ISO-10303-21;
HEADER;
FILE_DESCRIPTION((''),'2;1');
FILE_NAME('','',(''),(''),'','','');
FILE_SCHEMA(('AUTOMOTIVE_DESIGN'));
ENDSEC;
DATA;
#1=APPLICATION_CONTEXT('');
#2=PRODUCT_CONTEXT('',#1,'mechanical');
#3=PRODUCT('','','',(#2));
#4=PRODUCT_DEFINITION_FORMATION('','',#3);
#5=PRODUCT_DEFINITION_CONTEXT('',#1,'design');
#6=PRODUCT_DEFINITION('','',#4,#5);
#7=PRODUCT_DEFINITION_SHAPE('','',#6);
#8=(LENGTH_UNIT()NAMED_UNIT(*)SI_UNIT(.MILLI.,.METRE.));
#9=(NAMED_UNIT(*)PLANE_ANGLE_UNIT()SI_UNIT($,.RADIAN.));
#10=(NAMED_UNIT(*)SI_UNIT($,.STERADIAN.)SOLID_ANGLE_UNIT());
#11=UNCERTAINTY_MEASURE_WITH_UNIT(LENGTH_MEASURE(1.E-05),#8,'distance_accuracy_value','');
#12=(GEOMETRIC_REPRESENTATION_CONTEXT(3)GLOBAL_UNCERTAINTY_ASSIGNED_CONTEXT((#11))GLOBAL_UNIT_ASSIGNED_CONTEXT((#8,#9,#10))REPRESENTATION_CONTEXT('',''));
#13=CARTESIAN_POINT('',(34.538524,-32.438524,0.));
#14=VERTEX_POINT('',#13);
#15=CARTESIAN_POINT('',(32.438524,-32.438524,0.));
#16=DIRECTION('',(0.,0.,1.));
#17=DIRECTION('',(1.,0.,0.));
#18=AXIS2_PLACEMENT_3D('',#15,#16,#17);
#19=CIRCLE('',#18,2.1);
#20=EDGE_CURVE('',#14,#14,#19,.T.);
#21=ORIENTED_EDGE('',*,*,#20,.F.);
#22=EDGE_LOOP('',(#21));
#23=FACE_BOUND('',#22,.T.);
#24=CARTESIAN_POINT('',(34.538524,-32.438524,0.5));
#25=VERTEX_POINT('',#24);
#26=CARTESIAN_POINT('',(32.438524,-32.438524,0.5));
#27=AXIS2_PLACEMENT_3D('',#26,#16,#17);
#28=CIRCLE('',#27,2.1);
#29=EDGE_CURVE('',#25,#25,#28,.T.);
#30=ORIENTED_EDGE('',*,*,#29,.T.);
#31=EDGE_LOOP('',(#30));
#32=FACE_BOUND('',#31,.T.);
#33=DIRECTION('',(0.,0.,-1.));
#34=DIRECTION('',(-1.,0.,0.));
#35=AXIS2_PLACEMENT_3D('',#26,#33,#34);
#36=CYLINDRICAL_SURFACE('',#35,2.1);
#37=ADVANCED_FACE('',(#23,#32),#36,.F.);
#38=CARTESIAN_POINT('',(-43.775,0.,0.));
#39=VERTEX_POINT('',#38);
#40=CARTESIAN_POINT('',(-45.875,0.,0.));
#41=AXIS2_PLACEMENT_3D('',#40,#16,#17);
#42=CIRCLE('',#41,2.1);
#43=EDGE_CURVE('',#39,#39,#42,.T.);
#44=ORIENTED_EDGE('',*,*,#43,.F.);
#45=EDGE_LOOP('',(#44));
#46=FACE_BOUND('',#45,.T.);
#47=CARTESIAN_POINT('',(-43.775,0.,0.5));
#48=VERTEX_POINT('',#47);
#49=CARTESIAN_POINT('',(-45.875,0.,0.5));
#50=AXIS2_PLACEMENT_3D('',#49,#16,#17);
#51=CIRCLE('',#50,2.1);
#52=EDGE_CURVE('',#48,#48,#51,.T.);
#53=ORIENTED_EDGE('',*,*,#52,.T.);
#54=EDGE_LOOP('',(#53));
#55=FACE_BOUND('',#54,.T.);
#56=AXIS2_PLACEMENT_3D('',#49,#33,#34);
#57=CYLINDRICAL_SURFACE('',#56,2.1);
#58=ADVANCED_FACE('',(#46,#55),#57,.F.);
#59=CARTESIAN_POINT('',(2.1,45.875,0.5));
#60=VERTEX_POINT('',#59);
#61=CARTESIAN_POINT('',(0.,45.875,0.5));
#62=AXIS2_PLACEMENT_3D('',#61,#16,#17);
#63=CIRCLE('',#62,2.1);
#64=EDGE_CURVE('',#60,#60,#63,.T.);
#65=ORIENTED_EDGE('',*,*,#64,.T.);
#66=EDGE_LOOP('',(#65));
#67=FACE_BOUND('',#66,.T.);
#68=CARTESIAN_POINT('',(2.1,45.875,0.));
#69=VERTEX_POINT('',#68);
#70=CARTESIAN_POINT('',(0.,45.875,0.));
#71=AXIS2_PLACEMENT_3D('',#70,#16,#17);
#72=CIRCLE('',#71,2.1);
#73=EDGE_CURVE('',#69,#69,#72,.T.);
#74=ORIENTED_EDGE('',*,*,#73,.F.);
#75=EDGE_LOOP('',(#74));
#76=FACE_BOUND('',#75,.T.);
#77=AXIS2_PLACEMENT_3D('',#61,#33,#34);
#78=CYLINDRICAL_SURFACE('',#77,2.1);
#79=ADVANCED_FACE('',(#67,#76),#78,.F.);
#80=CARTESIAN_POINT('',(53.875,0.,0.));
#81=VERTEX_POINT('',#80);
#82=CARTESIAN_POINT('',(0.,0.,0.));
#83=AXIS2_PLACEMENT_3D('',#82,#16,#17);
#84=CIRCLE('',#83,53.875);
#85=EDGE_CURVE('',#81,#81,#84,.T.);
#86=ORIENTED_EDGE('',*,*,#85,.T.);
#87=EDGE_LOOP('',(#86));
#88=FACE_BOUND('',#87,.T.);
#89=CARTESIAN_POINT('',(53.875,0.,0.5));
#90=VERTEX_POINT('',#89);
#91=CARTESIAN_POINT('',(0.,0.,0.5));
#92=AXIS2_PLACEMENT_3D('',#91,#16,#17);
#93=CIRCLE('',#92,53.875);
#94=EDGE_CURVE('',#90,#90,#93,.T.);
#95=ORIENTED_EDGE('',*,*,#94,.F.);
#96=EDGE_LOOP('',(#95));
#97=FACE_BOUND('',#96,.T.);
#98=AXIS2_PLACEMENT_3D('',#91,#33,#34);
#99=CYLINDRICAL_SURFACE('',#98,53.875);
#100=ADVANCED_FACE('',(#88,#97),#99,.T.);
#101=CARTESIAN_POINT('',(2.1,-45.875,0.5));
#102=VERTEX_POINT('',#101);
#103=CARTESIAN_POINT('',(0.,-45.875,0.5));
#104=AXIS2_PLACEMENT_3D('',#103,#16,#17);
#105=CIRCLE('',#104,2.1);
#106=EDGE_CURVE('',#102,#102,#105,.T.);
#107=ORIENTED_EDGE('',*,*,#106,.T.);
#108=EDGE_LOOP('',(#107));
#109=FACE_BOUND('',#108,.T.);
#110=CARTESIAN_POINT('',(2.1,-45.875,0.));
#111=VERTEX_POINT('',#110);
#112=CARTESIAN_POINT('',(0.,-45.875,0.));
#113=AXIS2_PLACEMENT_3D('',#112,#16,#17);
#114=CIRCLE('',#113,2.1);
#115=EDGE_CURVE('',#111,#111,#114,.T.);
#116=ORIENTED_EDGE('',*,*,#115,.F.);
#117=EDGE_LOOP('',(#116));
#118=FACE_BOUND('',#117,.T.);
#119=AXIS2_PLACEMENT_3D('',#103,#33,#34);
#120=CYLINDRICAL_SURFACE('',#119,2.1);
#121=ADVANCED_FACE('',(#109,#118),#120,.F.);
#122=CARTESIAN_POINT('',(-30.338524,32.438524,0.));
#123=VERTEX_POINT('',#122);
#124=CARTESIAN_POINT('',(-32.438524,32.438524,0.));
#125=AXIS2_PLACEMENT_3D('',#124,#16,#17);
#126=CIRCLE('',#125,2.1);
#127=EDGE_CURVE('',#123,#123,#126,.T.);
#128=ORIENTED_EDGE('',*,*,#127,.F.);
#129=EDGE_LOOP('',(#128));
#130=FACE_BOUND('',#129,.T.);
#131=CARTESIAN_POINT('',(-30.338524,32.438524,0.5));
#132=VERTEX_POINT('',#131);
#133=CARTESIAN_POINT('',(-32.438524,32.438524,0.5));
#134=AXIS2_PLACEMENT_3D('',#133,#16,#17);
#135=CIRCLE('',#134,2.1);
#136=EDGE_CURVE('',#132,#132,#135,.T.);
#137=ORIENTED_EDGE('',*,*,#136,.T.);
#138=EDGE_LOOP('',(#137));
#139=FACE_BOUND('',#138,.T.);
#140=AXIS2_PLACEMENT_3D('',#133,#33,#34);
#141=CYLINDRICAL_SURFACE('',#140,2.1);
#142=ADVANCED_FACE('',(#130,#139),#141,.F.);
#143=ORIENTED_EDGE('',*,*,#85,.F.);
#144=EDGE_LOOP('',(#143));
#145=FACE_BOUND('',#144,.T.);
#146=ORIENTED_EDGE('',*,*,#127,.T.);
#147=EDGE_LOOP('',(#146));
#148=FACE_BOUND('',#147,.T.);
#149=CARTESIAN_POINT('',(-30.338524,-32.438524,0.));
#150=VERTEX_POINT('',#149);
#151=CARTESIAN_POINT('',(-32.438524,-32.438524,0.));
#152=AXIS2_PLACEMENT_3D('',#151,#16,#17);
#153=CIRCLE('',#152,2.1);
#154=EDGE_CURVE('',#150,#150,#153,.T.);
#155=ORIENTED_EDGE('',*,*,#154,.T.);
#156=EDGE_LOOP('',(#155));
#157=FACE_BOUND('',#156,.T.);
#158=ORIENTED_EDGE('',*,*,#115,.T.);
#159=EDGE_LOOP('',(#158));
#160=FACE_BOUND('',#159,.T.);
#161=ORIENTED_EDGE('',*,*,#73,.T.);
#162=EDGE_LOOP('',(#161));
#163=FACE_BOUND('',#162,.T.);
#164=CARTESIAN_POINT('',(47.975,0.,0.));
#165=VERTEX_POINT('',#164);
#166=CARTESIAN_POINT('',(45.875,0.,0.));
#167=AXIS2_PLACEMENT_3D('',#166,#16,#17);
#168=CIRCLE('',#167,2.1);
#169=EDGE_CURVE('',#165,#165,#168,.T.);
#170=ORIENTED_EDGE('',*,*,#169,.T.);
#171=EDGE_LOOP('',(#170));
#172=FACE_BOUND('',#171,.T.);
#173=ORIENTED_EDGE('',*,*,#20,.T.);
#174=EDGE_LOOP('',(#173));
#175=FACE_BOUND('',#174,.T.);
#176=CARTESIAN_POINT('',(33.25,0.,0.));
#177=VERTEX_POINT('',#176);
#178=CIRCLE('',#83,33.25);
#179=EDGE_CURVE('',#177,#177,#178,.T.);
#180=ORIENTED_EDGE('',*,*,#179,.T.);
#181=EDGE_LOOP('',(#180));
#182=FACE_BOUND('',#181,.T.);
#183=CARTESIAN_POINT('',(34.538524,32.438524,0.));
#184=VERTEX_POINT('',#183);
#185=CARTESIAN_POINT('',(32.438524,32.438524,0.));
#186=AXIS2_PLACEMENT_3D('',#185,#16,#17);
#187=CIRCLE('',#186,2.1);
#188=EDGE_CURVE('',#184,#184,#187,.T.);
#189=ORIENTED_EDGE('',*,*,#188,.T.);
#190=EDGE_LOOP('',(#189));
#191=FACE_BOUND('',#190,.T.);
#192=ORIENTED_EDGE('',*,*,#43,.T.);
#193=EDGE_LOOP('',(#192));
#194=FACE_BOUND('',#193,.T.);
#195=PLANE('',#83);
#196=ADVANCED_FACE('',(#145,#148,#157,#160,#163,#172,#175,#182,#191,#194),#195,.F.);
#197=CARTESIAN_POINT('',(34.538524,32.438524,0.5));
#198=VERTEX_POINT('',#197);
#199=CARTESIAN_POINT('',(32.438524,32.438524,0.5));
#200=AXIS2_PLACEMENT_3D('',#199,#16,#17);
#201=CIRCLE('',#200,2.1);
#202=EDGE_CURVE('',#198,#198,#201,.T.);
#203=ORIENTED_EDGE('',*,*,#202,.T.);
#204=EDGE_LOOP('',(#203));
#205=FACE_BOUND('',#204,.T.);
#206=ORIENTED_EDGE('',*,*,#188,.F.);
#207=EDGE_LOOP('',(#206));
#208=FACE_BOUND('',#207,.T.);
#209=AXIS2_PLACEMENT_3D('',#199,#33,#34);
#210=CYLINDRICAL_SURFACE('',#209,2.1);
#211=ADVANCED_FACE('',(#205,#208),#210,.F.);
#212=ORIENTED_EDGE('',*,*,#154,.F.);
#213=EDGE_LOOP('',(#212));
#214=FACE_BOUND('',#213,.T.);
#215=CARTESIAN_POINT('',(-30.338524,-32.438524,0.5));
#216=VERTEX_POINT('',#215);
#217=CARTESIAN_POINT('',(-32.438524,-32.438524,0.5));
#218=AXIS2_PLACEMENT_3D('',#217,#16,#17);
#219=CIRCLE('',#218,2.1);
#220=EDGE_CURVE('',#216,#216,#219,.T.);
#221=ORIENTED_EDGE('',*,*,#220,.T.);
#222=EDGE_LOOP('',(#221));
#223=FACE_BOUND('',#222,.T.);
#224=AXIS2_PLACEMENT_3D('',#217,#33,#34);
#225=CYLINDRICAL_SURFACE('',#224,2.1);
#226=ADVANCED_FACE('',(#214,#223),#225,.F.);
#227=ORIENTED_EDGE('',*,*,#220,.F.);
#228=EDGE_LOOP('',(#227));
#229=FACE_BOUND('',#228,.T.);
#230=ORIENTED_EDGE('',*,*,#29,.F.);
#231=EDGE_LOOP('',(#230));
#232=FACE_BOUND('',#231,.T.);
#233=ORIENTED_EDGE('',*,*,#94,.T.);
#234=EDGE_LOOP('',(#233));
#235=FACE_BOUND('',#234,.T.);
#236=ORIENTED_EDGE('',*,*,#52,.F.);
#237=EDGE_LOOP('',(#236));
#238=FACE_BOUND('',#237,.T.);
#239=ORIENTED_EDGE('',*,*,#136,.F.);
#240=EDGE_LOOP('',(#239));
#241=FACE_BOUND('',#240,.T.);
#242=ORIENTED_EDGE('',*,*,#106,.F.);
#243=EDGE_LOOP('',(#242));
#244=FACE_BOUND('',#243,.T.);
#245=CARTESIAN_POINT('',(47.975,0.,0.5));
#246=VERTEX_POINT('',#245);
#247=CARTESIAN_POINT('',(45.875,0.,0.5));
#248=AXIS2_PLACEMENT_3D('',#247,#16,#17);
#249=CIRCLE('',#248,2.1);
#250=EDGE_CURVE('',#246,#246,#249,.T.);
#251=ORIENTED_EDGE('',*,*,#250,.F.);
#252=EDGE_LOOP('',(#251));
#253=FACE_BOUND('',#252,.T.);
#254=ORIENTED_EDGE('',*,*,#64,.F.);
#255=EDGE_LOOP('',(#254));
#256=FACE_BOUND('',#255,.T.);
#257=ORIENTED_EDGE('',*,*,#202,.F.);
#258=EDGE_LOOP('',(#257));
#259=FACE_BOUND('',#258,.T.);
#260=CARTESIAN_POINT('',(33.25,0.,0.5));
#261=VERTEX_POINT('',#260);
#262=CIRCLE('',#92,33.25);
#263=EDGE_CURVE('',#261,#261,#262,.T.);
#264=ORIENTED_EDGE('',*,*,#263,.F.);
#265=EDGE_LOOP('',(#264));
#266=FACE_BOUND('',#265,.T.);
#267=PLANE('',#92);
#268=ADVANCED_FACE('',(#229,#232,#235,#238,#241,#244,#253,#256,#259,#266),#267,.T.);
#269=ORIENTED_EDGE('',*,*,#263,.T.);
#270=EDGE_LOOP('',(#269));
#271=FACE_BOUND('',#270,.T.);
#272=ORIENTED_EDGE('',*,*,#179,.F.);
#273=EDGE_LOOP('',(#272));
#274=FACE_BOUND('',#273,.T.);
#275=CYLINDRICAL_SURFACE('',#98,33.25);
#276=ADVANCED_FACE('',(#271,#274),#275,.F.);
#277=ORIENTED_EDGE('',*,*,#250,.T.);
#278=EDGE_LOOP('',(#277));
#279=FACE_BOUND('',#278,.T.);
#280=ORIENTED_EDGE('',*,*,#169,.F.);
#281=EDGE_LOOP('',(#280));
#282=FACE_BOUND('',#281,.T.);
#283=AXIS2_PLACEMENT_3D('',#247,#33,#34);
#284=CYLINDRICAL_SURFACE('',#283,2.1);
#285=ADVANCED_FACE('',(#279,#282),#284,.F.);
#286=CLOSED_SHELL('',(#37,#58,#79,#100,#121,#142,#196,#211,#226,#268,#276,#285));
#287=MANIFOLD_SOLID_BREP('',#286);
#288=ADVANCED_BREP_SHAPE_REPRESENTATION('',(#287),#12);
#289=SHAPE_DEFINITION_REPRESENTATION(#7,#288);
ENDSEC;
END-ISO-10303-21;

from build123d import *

# Parameters (mm, degrees)
SKETCH1_R           = 53.875
SKETCH1_R_2         = 33.25
SKETCH1_R_3         = 2.1
BOSS_EXTRUDE1_DEPTH = 0.5


with BuildPart() as part:
    # Sketch1 → Boss-Extrude1 (new body)
    with BuildSketch(Plane.XY):
        Circle(SKETCH1_R)
        Circle(SKETCH1_R_2, mode=Mode.SUBTRACT)
        with Locations((0, 45.875)):
            Circle(SKETCH1_R_3, mode=Mode.SUBTRACT)
        with Locations((32.438523587, 32.438523587)):
            Circle(SKETCH1_R_3, mode=Mode.SUBTRACT)
        with Locations((45.875, 0)):
            Circle(SKETCH1_R_3, mode=Mode.SUBTRACT)
        with Locations((32.438523587, -32.438523587)):
            Circle(SKETCH1_R_3, mode=Mode.SUBTRACT)
        with Locations((0, -45.875)):
            Circle(SKETCH1_R_3, mode=Mode.SUBTRACT)
        with Locations((-32.438523587, -32.438523587)):
            Circle(SKETCH1_R_3, mode=Mode.SUBTRACT)
        with Locations((-45.875, 0)):
            Circle(SKETCH1_R_3, mode=Mode.SUBTRACT)
        with Locations((-32.438523587, 32.438523587)):
            Circle(SKETCH1_R_3, mode=Mode.SUBTRACT)
    extrude(amount=BOSS_EXTRUDE1_DEPTH)


solid = part.part
